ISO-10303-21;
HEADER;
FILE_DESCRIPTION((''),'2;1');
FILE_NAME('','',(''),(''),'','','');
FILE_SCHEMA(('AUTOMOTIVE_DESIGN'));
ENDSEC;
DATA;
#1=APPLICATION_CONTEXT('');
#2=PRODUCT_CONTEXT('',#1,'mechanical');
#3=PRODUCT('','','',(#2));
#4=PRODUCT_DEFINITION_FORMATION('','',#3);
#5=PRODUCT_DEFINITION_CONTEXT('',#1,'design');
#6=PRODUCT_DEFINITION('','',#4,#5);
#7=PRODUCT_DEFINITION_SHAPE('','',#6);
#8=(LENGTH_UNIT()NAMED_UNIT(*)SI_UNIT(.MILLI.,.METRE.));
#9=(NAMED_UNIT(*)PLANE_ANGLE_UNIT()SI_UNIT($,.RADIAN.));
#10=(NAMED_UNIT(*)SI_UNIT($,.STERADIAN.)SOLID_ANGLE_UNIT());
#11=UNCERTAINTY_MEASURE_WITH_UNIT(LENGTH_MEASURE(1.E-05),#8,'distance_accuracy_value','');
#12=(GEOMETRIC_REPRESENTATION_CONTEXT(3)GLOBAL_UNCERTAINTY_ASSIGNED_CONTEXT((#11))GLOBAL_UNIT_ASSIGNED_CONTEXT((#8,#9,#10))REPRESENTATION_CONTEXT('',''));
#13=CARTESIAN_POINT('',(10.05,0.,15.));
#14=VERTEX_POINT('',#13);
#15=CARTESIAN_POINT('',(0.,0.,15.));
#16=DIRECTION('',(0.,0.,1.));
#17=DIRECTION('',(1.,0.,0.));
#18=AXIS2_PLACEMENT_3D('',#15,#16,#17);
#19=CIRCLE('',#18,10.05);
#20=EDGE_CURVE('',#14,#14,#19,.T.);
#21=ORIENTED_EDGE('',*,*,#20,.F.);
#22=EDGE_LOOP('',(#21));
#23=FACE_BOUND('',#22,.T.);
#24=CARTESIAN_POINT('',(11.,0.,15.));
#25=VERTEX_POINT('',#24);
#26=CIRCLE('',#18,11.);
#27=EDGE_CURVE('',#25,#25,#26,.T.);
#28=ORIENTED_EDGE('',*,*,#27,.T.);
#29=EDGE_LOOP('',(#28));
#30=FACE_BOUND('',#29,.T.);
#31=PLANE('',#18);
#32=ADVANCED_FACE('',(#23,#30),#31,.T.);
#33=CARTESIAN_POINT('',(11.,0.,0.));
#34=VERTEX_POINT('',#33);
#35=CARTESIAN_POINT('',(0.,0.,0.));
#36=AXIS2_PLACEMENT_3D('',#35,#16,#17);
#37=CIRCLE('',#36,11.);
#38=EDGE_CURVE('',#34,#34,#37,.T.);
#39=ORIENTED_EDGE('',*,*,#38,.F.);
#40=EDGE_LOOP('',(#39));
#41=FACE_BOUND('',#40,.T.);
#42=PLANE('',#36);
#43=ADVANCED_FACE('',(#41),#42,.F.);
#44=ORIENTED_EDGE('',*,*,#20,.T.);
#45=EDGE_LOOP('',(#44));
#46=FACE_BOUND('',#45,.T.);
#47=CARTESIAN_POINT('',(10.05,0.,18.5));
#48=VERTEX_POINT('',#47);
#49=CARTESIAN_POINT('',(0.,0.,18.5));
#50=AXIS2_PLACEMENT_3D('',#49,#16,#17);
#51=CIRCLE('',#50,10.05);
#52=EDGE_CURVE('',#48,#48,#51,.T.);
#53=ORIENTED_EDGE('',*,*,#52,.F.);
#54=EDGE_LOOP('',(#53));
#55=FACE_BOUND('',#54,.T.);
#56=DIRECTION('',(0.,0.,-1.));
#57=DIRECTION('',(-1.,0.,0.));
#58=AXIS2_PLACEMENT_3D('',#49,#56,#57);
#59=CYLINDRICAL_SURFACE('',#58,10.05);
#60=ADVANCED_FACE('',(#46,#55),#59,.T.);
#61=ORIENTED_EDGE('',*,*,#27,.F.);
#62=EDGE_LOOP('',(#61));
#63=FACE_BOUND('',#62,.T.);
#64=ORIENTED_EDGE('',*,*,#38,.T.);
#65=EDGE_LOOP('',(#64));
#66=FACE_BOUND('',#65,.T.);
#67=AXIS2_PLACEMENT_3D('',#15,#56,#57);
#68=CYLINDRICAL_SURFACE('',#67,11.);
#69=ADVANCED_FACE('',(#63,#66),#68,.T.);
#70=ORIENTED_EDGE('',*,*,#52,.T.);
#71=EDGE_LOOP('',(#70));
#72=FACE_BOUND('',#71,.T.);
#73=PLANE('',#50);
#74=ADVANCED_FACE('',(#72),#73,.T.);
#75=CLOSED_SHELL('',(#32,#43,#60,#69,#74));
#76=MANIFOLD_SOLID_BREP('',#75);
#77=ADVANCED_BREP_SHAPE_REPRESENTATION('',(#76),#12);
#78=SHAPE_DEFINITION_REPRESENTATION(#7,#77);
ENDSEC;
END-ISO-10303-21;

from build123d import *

# Parameters (mm, degrees)
SKETCH1_R           = 11
BOSS_EXTRUDE1_DEPTH = 15
SKETCH2_R           = 10.05
BOSS_EXTRUDE2_DEPTH = 3.5


with BuildPart() as part:
    # Sketch1 → Boss-Extrude1 (new body)
    with BuildSketch(Plane(origin=(0, 0, 0), x_dir=(0, 1, 0), z_dir=(0, 0, 1))):
        with Locations(Location((0, 0, 0), (0, 0, 270))):
            Circle(SKETCH1_R)
    extrude(amount=BOSS_EXTRUDE1_DEPTH)

    # Sketch2 → Boss-Extrude2 (add)
    with BuildSketch(Plane.XY.offset(15)):
        Circle(SKETCH2_R)
    extrude(amount=BOSS_EXTRUDE2_DEPTH)


solid = part.part
